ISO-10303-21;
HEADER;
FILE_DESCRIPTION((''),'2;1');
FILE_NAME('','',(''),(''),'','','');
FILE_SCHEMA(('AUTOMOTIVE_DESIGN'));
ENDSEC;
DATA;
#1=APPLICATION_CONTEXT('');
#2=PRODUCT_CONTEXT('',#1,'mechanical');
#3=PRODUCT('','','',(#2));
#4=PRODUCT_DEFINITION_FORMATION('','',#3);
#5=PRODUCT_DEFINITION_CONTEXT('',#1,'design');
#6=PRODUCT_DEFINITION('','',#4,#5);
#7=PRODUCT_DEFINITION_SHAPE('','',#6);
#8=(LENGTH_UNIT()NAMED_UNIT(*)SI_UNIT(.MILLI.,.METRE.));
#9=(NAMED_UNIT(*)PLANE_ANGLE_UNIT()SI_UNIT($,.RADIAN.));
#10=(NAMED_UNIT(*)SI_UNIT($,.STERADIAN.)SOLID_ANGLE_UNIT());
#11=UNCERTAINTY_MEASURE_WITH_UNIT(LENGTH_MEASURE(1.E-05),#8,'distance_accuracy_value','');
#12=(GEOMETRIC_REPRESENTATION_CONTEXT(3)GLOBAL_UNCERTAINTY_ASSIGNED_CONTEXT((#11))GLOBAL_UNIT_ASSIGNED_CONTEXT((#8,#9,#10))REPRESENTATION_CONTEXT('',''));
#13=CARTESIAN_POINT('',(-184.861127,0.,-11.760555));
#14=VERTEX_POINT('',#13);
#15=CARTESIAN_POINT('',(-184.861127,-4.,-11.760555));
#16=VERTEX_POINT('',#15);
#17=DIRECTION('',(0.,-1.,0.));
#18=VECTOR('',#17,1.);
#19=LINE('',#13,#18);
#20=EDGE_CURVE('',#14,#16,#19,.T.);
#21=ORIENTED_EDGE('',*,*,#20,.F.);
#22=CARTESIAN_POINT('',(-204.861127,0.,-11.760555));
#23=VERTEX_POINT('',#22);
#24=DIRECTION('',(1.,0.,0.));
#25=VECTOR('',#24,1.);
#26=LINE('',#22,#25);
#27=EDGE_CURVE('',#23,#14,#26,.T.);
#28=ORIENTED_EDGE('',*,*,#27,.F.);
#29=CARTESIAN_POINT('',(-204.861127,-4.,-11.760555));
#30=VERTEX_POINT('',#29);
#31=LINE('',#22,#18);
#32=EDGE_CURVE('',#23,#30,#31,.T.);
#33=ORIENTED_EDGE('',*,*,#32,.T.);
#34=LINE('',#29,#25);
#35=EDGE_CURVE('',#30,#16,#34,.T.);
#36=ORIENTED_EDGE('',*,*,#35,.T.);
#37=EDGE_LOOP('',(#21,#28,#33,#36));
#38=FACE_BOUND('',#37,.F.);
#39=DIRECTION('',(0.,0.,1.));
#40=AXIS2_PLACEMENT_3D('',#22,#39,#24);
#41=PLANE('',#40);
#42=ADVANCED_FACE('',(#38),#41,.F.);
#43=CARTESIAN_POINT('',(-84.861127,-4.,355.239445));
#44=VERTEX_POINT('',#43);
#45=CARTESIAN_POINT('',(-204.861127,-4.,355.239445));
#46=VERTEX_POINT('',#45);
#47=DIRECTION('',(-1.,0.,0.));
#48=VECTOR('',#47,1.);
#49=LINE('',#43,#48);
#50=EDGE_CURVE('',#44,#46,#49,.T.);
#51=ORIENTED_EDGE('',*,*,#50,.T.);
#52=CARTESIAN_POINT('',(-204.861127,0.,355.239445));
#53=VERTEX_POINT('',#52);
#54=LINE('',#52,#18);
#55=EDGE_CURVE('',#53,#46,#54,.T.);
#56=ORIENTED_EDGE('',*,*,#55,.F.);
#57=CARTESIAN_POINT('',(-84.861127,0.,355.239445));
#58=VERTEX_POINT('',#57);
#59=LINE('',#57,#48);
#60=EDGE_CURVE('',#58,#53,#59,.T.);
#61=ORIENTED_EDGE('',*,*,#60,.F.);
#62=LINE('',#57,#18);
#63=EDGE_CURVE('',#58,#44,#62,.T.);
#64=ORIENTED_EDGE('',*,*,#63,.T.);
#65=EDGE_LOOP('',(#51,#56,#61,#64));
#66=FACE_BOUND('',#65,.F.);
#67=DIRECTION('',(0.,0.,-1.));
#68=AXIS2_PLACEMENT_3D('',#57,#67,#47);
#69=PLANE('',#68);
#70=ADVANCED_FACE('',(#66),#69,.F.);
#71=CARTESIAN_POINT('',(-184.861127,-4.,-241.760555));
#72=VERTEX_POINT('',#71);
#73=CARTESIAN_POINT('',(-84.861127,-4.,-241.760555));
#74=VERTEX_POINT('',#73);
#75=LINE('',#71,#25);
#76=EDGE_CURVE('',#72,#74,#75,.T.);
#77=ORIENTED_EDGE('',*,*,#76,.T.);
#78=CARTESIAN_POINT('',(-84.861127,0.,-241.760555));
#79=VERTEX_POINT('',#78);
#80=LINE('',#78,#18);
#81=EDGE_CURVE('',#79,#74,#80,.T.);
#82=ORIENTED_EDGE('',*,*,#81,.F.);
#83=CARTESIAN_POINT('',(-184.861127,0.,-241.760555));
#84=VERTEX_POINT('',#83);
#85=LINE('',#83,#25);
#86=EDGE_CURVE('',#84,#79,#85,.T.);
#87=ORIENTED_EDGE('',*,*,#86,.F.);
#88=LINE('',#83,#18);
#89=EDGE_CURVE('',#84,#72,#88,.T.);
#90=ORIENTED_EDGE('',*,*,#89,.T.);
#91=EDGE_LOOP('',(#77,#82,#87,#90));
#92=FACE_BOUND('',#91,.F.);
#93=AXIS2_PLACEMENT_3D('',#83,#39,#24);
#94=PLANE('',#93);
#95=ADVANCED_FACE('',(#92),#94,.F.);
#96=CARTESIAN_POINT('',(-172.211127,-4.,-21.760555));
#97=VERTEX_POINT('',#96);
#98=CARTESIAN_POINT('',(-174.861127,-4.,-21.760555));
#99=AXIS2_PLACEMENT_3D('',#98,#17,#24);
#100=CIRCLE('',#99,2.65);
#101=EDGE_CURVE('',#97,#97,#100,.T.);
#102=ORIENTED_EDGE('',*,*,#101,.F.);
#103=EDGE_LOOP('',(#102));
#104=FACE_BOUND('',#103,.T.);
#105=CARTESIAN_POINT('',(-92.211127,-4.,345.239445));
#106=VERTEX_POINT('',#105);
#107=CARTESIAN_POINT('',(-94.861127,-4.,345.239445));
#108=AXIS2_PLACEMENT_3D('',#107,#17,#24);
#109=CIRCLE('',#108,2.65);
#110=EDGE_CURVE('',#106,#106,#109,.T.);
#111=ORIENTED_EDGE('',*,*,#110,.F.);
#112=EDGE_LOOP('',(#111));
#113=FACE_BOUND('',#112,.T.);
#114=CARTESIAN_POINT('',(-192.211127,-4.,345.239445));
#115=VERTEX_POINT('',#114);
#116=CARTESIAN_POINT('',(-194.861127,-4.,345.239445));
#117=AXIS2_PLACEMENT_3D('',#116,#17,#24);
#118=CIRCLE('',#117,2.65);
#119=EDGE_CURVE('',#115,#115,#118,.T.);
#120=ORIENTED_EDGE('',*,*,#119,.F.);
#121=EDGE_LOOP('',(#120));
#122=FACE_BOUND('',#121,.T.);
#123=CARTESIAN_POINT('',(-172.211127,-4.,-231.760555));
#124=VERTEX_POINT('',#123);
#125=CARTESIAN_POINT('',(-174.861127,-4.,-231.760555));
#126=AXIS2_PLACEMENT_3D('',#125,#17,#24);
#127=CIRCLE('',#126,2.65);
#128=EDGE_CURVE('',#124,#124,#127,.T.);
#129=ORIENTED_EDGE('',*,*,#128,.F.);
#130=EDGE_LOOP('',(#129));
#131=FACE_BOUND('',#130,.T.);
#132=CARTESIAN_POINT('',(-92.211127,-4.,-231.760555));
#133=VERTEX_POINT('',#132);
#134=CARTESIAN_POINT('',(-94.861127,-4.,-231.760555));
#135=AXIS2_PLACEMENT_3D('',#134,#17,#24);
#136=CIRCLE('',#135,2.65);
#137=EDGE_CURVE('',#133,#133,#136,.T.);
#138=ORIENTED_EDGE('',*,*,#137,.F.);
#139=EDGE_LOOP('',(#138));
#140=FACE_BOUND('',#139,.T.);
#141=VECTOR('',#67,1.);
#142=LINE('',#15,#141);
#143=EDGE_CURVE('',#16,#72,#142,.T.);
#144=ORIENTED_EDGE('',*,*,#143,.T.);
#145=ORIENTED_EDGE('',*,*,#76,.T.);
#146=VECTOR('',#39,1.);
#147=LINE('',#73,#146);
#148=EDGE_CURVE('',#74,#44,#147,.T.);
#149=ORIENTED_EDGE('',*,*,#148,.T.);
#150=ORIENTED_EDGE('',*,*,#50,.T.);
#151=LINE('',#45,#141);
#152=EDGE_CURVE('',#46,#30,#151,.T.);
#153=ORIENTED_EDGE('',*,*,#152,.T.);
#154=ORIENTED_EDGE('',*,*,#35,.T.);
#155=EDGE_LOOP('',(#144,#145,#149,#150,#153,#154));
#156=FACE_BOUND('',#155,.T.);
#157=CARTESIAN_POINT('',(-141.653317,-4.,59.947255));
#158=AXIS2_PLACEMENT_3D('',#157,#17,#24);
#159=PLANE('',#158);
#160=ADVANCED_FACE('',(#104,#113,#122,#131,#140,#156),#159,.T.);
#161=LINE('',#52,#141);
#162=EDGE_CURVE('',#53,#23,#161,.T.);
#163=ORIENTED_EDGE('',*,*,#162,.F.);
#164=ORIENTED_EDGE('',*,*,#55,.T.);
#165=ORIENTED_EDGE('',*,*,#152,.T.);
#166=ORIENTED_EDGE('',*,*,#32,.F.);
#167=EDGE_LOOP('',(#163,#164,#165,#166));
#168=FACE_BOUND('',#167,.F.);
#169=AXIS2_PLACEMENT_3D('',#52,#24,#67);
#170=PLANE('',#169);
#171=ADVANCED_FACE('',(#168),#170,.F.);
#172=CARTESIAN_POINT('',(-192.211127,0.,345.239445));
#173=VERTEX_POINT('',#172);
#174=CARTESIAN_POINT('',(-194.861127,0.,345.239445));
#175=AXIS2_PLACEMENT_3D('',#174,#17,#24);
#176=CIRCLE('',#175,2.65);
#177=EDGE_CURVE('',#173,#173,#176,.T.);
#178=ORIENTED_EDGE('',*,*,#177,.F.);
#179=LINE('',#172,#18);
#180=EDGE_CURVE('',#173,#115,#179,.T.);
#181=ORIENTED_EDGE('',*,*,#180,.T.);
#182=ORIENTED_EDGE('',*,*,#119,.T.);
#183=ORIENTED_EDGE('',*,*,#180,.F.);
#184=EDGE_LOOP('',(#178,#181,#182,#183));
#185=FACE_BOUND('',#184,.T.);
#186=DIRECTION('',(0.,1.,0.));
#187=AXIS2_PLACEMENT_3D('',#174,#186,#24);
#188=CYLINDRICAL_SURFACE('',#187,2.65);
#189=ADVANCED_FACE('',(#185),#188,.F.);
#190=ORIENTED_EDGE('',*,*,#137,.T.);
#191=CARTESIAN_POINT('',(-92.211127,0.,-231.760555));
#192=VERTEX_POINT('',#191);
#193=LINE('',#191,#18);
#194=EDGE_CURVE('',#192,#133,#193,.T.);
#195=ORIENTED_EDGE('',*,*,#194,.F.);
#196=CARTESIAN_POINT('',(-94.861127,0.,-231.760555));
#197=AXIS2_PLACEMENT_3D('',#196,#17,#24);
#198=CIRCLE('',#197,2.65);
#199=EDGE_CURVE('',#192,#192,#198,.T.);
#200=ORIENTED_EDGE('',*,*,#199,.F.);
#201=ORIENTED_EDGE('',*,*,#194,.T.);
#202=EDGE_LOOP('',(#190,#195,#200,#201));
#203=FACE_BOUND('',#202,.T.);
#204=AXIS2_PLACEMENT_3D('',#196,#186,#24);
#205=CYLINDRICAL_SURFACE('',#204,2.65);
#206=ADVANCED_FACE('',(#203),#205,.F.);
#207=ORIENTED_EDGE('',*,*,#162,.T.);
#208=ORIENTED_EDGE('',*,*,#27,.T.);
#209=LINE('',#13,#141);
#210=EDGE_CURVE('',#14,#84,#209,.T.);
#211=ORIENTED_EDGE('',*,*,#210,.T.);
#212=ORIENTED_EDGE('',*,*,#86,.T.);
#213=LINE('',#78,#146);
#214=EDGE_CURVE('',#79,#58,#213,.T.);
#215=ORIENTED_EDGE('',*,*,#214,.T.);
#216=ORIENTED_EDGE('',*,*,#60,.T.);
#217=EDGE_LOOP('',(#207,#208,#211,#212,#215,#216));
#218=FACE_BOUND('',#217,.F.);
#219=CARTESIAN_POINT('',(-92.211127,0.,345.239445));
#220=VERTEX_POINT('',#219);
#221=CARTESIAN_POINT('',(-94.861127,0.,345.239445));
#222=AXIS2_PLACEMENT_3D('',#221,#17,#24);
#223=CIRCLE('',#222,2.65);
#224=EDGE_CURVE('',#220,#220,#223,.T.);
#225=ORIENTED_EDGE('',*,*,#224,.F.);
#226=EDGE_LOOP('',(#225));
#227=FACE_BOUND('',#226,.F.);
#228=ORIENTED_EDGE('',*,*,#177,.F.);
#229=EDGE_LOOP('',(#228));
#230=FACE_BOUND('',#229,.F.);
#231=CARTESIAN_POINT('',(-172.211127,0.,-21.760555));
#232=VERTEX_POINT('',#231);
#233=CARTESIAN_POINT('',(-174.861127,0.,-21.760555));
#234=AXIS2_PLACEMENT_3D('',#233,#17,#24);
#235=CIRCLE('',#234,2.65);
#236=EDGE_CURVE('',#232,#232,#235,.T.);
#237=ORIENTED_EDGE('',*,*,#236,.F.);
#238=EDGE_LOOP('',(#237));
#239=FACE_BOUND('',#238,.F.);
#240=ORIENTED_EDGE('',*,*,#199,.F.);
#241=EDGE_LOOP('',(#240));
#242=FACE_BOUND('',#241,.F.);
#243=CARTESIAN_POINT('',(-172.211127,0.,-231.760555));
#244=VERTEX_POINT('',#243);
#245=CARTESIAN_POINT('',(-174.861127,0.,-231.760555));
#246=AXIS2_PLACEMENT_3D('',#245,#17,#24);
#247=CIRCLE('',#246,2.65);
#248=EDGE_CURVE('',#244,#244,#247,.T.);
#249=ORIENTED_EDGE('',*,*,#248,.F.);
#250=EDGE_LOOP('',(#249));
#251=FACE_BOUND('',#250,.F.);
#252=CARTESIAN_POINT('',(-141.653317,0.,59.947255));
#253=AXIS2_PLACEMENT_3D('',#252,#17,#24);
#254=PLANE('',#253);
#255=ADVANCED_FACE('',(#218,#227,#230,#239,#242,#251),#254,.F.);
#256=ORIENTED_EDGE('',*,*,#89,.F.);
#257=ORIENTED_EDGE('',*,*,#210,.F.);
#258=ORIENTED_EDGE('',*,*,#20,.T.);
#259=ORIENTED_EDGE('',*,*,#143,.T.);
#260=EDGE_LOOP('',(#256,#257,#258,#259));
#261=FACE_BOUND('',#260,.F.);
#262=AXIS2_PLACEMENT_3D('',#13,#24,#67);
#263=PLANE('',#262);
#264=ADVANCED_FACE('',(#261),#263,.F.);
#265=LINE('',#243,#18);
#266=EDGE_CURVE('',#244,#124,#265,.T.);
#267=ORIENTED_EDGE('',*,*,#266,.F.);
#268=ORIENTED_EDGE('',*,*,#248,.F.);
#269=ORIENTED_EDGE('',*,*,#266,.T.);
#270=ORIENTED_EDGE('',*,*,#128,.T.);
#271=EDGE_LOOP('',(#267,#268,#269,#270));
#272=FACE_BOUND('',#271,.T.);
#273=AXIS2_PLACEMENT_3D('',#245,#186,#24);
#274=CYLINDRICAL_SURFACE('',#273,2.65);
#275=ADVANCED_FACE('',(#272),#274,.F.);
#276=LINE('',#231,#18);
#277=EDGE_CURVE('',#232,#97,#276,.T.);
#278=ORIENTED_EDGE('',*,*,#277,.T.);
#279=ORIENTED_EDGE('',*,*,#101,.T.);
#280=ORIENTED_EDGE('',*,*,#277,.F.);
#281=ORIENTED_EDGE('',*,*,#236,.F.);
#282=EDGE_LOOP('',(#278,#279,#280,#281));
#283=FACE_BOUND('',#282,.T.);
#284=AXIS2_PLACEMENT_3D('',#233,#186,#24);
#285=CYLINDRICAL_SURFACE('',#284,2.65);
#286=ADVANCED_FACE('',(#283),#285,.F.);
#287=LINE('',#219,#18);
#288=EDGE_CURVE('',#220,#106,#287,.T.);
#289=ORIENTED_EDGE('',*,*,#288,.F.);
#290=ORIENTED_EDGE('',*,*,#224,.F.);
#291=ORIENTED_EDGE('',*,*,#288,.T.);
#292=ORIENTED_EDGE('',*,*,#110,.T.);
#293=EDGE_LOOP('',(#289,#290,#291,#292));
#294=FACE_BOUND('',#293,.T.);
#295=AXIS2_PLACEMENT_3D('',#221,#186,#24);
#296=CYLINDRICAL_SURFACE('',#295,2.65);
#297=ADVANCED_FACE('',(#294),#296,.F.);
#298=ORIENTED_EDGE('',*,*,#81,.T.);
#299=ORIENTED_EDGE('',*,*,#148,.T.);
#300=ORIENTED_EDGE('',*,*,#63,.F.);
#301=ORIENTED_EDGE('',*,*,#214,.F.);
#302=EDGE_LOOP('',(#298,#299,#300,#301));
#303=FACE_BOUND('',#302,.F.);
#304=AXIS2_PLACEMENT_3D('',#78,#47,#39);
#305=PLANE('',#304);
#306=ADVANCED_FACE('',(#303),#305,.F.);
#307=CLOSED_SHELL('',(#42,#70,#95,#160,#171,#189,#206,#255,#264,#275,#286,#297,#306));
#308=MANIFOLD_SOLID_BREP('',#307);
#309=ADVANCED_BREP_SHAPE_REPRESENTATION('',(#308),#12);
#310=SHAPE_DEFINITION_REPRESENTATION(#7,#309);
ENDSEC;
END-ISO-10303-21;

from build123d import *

# Parameters (mm, degrees)
F0_R     = 2.65
F1_DEPTH = 4


with BuildPart() as f1:
    # F0 (on Front) → F1 (new body)
    with BuildSketch(Plane.XZ):
        Polygon((-204.861127, -11.760555), (-184.861127, -11.760555), (-184.861127, -241.760555), (-134.861127, -241.760555), (-84.861127, -241.760555), (-84.861127, -11.760555), (-84.861127, 355.239445), (-144.861127, 355.239445), (-204.861127, 355.239445), align=None)
        with Locations((-174.861127, -231.760555)):
            Circle(F0_R, mode=Mode.SUBTRACT)
        with Locations((-174.861127, -21.760555)):
            Circle(F0_R, mode=Mode.SUBTRACT)
        with Locations((-94.861127, -231.760555)):
            Circle(F0_R, mode=Mode.SUBTRACT)
        with Locations((-194.861127, 345.239445)):
            Circle(F0_R, mode=Mode.SUBTRACT)
        with Locations((-94.861127, 345.239445)):
            Circle(F0_R, mode=Mode.SUBTRACT)
    extrude(amount=F1_DEPTH)


solid = f1.part
